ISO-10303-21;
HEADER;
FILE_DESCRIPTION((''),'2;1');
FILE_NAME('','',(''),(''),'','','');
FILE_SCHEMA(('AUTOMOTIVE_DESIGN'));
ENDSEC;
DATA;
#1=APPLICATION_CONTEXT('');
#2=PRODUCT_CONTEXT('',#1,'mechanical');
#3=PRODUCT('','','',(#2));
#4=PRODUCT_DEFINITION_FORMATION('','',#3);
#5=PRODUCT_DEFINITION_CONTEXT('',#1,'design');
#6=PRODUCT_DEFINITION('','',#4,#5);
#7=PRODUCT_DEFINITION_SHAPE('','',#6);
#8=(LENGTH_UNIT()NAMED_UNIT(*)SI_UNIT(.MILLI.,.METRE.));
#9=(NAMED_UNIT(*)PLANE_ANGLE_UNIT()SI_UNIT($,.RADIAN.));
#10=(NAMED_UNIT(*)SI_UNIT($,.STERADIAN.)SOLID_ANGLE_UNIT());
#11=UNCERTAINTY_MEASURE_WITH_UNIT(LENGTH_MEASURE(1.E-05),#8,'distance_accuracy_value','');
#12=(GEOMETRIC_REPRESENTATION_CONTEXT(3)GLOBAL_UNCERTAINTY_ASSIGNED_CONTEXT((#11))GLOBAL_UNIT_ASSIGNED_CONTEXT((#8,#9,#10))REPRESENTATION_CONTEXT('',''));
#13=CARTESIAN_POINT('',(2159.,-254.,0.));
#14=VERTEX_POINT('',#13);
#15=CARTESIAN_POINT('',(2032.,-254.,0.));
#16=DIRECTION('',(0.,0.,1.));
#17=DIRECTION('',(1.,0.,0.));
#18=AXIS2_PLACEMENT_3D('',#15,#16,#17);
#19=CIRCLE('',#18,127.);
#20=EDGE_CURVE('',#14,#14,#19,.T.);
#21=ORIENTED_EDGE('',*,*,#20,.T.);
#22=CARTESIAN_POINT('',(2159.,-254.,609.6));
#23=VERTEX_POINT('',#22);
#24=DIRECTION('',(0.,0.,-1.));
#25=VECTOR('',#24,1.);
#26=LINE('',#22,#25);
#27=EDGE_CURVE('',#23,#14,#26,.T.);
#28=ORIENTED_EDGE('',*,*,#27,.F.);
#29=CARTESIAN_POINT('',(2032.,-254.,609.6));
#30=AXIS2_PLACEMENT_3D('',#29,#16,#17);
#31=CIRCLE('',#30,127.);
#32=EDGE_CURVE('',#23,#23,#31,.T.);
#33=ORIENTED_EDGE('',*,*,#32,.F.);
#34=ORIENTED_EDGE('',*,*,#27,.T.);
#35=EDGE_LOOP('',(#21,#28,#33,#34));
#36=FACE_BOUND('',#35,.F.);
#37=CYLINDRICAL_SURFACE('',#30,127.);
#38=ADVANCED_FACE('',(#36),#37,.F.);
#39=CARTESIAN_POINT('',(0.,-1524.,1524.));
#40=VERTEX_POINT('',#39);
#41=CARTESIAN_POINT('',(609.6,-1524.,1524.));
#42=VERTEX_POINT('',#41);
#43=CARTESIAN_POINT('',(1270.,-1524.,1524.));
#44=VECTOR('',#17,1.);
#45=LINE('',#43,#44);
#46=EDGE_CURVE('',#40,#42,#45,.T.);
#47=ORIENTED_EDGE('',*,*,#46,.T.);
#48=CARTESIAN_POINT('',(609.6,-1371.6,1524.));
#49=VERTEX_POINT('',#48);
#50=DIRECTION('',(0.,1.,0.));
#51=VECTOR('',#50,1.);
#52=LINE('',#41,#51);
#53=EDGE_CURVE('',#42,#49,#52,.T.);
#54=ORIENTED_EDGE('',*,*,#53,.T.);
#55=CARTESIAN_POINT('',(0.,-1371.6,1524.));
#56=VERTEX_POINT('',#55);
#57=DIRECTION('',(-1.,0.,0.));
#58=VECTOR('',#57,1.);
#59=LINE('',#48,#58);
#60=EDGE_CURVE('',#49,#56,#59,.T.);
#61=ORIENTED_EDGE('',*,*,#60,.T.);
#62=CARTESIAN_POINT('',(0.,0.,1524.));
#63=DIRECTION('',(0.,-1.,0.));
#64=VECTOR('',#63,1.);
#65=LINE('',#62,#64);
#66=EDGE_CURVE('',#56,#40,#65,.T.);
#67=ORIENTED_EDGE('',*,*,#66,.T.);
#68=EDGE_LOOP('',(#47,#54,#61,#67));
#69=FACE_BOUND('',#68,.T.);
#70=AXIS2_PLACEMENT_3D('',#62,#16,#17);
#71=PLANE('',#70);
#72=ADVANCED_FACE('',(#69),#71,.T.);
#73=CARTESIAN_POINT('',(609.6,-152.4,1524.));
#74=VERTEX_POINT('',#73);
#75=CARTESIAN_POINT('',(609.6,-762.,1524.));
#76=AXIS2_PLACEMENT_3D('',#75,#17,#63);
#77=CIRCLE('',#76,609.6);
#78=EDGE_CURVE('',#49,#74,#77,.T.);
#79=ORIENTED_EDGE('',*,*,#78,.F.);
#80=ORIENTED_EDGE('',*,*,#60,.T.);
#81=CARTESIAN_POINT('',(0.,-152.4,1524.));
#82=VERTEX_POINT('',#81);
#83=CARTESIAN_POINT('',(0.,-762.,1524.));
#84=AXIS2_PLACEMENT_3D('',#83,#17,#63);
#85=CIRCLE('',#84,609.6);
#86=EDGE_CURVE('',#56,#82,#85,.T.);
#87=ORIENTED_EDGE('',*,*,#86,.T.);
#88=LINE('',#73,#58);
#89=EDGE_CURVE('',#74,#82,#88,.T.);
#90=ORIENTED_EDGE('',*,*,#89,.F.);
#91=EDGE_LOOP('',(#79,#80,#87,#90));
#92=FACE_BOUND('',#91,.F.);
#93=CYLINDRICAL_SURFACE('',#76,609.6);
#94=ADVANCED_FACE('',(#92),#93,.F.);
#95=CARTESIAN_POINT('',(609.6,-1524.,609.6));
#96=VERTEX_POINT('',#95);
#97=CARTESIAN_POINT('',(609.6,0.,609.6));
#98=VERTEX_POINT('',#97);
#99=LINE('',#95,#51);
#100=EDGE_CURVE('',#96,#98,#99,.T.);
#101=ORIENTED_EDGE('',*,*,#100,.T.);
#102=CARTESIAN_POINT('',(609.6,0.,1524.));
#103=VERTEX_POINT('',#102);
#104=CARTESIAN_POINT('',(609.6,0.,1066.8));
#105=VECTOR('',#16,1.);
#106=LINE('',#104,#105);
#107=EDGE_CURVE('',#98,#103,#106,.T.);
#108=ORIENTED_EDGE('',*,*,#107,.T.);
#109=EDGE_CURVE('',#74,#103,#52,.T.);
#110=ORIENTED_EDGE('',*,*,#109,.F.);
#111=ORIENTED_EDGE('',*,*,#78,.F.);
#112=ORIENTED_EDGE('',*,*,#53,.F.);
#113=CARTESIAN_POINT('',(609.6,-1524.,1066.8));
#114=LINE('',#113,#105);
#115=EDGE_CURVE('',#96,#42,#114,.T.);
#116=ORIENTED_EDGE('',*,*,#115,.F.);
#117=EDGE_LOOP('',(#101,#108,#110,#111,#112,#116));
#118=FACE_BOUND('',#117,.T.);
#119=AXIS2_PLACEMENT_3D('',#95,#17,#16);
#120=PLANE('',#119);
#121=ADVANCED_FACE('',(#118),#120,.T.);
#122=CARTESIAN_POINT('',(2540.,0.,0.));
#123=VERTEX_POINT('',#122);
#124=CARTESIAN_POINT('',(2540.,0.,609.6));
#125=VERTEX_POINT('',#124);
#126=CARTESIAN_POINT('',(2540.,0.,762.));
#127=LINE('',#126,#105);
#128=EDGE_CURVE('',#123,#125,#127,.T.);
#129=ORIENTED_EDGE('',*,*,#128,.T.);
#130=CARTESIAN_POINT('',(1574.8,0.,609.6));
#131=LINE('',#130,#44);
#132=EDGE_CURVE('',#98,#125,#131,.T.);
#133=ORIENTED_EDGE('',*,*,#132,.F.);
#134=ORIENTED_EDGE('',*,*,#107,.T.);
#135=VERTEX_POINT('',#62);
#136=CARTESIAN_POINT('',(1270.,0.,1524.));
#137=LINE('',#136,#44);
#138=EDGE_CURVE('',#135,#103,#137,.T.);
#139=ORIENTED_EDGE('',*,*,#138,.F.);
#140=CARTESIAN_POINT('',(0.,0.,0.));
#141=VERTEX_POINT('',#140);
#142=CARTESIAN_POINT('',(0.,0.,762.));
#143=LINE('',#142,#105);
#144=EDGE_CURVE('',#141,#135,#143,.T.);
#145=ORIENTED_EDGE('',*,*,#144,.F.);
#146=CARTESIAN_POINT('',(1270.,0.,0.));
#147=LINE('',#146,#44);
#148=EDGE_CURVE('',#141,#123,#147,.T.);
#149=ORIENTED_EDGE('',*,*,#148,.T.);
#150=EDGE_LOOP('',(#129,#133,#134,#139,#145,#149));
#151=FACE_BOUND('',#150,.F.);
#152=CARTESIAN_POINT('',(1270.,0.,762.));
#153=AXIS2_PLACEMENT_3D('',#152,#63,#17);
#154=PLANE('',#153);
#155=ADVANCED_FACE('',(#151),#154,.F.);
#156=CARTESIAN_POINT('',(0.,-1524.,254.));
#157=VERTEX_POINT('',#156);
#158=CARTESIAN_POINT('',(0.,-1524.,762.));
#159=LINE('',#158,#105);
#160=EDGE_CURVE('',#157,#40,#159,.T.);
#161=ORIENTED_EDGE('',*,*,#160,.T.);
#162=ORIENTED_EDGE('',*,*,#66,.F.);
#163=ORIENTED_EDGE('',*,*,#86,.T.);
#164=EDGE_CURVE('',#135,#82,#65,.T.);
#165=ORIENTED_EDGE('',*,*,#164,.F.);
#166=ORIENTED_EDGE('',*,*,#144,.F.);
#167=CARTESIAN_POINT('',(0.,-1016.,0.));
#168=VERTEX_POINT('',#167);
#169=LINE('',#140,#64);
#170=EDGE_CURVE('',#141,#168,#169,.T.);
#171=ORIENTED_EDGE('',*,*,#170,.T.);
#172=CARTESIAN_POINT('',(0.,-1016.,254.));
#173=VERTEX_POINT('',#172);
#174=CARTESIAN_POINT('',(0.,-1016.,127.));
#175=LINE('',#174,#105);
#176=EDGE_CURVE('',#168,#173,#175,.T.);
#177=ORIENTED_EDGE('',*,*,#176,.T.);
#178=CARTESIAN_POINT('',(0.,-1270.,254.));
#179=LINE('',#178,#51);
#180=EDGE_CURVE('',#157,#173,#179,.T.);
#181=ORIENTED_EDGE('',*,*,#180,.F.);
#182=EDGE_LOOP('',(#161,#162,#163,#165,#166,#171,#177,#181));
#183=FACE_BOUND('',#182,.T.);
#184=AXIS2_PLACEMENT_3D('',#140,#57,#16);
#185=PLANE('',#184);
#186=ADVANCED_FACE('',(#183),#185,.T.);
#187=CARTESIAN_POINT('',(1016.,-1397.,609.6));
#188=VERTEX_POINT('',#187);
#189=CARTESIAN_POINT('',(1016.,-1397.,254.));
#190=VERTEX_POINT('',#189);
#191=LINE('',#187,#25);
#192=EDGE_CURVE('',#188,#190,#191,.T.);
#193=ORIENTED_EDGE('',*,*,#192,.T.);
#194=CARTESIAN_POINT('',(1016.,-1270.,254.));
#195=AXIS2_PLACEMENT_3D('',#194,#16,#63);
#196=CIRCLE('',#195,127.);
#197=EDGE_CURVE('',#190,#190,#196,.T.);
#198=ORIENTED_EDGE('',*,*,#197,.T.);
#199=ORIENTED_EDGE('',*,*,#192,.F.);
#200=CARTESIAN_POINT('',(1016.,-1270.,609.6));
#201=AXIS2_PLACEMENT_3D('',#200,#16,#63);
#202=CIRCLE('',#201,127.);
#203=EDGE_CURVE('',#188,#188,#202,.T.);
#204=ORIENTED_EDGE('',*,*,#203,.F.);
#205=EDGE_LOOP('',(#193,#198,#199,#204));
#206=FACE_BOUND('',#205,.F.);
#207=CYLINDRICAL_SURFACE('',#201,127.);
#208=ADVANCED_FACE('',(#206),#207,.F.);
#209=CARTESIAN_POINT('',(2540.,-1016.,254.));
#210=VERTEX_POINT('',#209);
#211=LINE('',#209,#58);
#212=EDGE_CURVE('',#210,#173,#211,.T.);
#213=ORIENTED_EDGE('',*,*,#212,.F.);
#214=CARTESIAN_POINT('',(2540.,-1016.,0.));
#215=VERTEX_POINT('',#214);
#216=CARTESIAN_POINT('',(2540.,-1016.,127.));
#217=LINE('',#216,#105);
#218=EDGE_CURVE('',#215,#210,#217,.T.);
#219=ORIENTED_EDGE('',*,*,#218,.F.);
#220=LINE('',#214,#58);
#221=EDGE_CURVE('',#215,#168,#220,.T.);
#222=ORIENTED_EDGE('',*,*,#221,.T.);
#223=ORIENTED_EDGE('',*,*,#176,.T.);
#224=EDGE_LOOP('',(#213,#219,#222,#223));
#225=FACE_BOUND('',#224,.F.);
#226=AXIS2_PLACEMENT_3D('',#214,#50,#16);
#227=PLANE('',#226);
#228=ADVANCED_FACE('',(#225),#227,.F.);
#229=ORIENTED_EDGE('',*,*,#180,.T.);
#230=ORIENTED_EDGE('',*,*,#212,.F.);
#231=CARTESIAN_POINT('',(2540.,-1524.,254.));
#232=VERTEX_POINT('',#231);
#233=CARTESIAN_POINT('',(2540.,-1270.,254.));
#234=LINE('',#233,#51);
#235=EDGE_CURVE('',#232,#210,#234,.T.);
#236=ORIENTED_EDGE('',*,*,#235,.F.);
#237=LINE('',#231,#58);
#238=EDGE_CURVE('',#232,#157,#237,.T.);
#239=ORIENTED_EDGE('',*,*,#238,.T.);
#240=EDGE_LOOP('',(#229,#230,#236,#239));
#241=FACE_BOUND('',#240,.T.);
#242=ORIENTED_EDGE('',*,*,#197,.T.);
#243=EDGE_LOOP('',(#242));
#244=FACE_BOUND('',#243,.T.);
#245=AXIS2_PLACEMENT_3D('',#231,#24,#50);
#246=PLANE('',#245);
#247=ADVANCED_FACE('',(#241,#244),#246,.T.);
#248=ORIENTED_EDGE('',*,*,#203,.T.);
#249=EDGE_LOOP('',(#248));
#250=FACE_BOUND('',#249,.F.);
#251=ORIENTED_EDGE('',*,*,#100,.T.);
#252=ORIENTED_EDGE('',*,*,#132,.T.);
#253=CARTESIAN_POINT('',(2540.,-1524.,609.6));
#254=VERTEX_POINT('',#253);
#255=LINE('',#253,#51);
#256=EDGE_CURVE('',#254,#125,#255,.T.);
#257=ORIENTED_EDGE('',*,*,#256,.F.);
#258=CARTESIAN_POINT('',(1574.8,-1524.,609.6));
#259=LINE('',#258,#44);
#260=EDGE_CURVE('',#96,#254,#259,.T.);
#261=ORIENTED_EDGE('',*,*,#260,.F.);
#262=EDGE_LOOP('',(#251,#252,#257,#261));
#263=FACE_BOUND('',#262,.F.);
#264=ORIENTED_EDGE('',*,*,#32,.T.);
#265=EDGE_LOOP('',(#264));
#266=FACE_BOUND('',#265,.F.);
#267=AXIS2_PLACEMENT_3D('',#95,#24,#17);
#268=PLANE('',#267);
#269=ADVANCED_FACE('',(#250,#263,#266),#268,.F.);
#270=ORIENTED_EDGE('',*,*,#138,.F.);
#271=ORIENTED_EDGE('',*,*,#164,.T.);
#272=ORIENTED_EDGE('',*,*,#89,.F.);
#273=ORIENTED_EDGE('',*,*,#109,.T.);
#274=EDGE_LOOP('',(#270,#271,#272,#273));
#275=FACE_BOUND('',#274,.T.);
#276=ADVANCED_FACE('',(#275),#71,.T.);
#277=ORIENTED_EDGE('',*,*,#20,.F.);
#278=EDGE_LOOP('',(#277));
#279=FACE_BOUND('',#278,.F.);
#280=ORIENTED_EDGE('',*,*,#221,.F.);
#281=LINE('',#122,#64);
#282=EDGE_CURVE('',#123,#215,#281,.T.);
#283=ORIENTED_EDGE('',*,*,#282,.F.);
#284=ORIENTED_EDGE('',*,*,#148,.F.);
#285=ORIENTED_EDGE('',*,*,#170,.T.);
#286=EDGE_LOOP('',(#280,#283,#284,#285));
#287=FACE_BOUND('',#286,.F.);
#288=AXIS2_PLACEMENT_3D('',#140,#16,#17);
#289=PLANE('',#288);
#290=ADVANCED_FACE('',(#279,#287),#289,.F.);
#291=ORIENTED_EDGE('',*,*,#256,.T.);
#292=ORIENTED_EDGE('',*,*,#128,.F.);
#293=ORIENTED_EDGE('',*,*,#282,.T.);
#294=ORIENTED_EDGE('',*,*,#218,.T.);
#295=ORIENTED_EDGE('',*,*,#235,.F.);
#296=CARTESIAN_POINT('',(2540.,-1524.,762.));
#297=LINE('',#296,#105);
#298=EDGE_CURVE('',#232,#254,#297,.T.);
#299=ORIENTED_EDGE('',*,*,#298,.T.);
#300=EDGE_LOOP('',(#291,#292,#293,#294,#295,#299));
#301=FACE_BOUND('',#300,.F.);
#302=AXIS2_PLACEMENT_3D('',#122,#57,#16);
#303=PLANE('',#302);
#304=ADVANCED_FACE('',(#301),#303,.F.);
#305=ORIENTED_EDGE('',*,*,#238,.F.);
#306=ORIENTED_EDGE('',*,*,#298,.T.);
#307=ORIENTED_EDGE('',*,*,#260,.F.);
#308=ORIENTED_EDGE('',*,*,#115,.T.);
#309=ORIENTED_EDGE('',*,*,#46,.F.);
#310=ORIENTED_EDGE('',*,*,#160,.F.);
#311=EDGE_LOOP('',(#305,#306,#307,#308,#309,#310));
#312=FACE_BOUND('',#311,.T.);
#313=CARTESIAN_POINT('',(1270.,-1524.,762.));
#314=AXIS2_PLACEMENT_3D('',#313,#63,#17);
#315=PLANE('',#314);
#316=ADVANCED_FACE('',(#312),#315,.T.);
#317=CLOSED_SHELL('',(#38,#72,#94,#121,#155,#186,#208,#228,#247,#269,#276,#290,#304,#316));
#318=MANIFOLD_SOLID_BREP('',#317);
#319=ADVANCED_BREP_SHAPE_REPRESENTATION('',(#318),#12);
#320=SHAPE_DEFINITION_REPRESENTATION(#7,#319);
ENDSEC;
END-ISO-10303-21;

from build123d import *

# Parameters (mm, degrees)
F0_W     = 2540
F0_H     = 1524
F1_DEPTH = 1524
F2_W     = 1930.4
F2_H     = 914.4
F3_DEPTH = 1524
F4_W     = 508
F4_H     = 254
F5_DEPTH = 2540
F7_DEPTH = 609.6
F9_DEPTH = 609.6


with BuildPart() as f1:
    # F0 (on Front) → F1 (new body)
    with BuildSketch(Plane.XZ):
        with Locations((1270, 762)):
            Rectangle(F0_W, F0_H)
    extrude(amount=F1_DEPTH)

    # F2 (on face) → F3 (cut)
    with BuildSketch(Plane.XZ.offset(1524)):
        with Locations((1574.8, 1066.8)):
            Rectangle(F2_W, F2_H)
    extrude(amount=-F3_DEPTH, mode=Mode.SUBTRACT)

    # F4 (on face) → F5 (cut)
    with BuildSketch(Plane.YZ.offset(2540)):
        with Locations((-1270, 127)):
            Rectangle(F4_W, F4_H)
    extrude(amount=-F5_DEPTH, mode=Mode.SUBTRACT)

    # F6 (on face) → F7 (cut)
    with BuildSketch(Plane.YZ.offset(609.6)):
        with BuildLine():
            Line((-762, 1524), (-1371.6, 1524))
            ThreePointArc((-1371.6, 1524), (-762, 914.4), (-152.4, 1524))
            Line((-152.4, 1524), (-762, 1524))
        make_face()
    extrude(amount=-F7_DEPTH, mode=Mode.SUBTRACT)

    # F8 (on face) → F9 (cut)
    with BuildSketch(Plane.XY.offset(609.6)):
        with BuildLine():
            Line((1016, -1270), (889, -1270))
            ThreePointArc((889, -1270), (926.1974387893, -1359.8025612107), (1016, -1397))
            Line((1016, -1397), (1016, -1270))
        make_face()
        with BuildLine():
            ThreePointArc((1143, -1270), (1016, -1143), (889, -1270))
            Line((889, -1270), (1016, -1270))
            Line((1016, -1270), (1016, -1397))
            ThreePointArc((1016, -1397), (1105.8025612107, -1359.8025612107), (1143, -1270))
        make_face()
        with BuildLine():
            Line((2032, -254), (2032, -127))
            ThreePointArc((2032, -127), (1942.1974387893, -343.8025612107), (2159, -254))
            Line((2159, -254), (2032, -254))
        make_face()
        with BuildLine():
            ThreePointArc((2159, -254), (2121.8025612107, -164.1974387893), (2032, -127))
            Line((2032, -127), (2032, -254))
            Line((2032, -254), (2159, -254))
        make_face()
    extrude(amount=-F9_DEPTH, mode=Mode.SUBTRACT)


solid = f1.part
